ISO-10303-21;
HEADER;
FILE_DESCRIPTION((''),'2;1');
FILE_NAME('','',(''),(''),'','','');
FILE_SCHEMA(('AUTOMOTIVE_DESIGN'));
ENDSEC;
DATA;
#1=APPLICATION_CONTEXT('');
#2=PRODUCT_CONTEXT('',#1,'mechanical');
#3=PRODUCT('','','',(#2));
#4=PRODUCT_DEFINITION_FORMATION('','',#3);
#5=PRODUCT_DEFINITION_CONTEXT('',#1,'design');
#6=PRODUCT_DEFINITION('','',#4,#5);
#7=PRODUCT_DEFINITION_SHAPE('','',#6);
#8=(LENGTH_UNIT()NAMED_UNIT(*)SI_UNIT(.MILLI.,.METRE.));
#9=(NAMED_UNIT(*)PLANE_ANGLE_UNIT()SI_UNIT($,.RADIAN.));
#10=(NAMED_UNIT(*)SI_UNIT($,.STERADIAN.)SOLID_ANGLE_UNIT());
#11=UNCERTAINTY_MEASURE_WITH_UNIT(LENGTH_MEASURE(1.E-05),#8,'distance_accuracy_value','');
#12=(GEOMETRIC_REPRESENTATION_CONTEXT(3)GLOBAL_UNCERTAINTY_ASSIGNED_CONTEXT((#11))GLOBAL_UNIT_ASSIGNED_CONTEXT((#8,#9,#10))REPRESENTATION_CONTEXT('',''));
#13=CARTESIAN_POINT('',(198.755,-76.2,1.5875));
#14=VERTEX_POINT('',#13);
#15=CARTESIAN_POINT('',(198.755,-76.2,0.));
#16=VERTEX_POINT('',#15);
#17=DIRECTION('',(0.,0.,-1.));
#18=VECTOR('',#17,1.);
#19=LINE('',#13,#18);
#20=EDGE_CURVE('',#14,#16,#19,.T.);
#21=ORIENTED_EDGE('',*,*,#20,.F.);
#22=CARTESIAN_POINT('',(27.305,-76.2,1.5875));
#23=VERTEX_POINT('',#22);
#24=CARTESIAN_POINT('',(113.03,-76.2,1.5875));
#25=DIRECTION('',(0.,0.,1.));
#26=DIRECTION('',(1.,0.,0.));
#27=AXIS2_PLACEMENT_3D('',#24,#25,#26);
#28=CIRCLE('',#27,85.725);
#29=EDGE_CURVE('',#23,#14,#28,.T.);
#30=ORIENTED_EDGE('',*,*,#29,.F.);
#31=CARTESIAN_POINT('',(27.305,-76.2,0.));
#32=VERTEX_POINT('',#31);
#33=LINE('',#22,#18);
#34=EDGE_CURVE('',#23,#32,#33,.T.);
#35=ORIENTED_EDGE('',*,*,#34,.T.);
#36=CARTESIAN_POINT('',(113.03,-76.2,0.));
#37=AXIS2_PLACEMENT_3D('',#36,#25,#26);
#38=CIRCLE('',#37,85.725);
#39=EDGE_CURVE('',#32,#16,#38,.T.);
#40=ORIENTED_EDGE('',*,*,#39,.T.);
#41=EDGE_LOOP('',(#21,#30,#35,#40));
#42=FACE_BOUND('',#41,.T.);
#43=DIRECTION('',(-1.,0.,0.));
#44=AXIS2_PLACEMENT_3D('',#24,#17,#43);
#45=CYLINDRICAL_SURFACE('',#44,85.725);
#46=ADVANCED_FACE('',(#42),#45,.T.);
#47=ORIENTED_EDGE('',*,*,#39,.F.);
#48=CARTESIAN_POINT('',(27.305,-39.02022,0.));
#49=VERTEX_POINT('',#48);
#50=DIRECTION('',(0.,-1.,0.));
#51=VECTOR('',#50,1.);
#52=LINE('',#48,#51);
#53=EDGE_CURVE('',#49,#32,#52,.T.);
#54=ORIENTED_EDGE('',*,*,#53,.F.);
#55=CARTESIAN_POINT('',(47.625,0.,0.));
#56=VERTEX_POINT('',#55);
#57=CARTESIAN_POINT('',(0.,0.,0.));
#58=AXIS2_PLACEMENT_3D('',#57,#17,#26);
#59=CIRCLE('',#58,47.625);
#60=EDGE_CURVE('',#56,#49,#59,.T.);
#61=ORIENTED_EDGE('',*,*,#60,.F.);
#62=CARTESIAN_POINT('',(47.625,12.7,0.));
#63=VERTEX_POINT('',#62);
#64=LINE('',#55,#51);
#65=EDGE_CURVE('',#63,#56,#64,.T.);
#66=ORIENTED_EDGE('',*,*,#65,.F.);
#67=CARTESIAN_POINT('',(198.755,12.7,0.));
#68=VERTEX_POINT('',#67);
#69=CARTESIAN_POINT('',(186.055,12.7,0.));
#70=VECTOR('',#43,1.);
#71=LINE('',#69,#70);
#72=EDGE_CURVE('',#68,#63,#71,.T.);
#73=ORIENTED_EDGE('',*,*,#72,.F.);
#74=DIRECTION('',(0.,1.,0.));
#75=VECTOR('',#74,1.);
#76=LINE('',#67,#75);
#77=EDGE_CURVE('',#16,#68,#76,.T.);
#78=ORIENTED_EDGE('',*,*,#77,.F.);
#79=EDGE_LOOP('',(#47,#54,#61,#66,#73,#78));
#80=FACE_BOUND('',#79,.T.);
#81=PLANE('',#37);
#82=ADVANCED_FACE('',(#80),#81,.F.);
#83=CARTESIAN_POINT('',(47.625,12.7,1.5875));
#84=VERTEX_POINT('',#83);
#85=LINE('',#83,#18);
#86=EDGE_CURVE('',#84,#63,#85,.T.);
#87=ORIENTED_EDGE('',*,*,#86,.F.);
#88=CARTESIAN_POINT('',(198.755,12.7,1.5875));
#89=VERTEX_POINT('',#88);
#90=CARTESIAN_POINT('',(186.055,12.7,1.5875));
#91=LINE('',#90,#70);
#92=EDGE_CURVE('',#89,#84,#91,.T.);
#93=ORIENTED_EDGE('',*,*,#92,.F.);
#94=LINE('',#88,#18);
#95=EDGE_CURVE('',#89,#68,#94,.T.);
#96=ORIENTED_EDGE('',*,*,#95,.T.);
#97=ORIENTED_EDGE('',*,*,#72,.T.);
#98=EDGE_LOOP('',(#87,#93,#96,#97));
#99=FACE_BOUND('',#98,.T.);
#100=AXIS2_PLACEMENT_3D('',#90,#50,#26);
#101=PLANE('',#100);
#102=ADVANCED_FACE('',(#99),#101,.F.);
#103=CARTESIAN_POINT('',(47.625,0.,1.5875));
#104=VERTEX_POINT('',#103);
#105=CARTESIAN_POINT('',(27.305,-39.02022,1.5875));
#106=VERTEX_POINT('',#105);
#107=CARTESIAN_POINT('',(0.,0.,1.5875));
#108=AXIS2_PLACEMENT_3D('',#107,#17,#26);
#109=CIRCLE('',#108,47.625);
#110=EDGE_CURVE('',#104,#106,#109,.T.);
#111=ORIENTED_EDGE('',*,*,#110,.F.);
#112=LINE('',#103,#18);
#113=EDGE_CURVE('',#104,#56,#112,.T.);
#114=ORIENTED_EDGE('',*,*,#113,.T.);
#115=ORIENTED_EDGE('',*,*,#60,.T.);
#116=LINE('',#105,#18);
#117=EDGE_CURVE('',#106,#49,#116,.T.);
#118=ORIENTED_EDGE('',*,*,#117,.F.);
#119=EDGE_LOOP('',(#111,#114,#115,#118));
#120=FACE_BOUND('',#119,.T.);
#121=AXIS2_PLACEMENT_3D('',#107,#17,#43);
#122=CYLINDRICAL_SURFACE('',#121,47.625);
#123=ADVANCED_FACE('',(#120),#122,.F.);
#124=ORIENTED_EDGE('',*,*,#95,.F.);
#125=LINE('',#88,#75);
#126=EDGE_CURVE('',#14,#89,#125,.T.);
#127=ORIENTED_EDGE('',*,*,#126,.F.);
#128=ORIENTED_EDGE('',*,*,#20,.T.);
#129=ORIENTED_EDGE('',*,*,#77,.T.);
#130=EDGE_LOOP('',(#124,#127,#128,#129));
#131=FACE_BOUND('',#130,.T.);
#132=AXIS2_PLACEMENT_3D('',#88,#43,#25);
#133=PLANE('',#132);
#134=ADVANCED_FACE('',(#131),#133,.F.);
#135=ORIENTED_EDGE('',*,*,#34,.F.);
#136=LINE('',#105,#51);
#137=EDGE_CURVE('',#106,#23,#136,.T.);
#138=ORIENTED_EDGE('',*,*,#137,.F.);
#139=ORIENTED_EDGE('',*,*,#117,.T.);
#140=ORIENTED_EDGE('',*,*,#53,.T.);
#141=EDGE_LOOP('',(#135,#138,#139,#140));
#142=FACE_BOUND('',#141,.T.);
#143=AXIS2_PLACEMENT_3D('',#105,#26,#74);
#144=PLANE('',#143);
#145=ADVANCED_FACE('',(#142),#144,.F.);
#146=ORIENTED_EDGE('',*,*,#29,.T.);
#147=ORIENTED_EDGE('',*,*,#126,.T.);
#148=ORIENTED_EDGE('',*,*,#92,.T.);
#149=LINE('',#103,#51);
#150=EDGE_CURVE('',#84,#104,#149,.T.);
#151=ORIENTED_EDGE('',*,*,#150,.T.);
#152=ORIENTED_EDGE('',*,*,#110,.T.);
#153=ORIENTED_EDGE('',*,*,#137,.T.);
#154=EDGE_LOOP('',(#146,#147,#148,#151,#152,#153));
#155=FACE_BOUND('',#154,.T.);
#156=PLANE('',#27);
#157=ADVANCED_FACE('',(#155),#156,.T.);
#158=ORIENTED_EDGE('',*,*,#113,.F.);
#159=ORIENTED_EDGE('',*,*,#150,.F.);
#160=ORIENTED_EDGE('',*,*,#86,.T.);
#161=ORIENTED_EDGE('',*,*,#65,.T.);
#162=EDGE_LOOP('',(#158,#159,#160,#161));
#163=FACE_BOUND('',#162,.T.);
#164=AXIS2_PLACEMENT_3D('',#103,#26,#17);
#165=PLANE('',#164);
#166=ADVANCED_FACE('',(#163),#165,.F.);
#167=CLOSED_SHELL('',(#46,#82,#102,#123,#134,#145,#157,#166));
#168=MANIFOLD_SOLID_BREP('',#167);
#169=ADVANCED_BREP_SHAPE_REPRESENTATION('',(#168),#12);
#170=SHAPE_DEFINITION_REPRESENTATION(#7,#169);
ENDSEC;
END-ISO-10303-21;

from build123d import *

# Parameters (mm, degrees)
BOSS_EXTRUDE1_DEPTH = 1.5875
BOSS_EXTRUDE2_DEPTH = 1.5875


with BuildPart() as part:
    # Sketch1 → Boss-Extrude1 (new body)
    with BuildSketch(Plane.XY):
        with BuildLine():
            Line((40.005, -76.2), (40.005, -25.840677236))
            ThreePointArc((40.005, -25.840677236), (45.68029526, -13.470384182), (47.625, 0))
            Line((47.625, 0), (47.625, 12.7))
            Line((47.625, 12.7), (186.055, 12.7))
            Line((186.055, 12.7), (186.055, 0))
            Line((186.055, 0), (186.055, -76.2))
            ThreePointArc((186.055, -76.2), (113.03, -149.225), (40.005, -76.2))
        make_face()
    extrude(amount=BOSS_EXTRUDE1_DEPTH)

    # Sketch2 → Boss-Extrude2 (add)
    with BuildSketch(Plane.XY):
        with BuildLine():
            Line((186.055, -76.2), (186.055, 0))
            Line((186.055, 0), (186.055, 12.7))
            Line((186.055, 12.7), (198.755, 12.7))
            Line((198.755, 12.7), (198.755, -76.2))
            ThreePointArc((198.755, -76.2), (113.03, -161.925), (27.305, -76.2))
            Line((27.305, -76.2), (27.305, -39.020220399))
            ThreePointArc((27.305, -39.020220399), (34.294082791, -33.046278315), (40.005, -25.840677236))
            Line((40.005, -25.840677236), (40.005, -76.2))
            ThreePointArc((40.005, -76.2), (113.03, -149.225), (186.055, -76.2))
        make_face()
    extrude(amount=BOSS_EXTRUDE2_DEPTH)


solid = part.part
